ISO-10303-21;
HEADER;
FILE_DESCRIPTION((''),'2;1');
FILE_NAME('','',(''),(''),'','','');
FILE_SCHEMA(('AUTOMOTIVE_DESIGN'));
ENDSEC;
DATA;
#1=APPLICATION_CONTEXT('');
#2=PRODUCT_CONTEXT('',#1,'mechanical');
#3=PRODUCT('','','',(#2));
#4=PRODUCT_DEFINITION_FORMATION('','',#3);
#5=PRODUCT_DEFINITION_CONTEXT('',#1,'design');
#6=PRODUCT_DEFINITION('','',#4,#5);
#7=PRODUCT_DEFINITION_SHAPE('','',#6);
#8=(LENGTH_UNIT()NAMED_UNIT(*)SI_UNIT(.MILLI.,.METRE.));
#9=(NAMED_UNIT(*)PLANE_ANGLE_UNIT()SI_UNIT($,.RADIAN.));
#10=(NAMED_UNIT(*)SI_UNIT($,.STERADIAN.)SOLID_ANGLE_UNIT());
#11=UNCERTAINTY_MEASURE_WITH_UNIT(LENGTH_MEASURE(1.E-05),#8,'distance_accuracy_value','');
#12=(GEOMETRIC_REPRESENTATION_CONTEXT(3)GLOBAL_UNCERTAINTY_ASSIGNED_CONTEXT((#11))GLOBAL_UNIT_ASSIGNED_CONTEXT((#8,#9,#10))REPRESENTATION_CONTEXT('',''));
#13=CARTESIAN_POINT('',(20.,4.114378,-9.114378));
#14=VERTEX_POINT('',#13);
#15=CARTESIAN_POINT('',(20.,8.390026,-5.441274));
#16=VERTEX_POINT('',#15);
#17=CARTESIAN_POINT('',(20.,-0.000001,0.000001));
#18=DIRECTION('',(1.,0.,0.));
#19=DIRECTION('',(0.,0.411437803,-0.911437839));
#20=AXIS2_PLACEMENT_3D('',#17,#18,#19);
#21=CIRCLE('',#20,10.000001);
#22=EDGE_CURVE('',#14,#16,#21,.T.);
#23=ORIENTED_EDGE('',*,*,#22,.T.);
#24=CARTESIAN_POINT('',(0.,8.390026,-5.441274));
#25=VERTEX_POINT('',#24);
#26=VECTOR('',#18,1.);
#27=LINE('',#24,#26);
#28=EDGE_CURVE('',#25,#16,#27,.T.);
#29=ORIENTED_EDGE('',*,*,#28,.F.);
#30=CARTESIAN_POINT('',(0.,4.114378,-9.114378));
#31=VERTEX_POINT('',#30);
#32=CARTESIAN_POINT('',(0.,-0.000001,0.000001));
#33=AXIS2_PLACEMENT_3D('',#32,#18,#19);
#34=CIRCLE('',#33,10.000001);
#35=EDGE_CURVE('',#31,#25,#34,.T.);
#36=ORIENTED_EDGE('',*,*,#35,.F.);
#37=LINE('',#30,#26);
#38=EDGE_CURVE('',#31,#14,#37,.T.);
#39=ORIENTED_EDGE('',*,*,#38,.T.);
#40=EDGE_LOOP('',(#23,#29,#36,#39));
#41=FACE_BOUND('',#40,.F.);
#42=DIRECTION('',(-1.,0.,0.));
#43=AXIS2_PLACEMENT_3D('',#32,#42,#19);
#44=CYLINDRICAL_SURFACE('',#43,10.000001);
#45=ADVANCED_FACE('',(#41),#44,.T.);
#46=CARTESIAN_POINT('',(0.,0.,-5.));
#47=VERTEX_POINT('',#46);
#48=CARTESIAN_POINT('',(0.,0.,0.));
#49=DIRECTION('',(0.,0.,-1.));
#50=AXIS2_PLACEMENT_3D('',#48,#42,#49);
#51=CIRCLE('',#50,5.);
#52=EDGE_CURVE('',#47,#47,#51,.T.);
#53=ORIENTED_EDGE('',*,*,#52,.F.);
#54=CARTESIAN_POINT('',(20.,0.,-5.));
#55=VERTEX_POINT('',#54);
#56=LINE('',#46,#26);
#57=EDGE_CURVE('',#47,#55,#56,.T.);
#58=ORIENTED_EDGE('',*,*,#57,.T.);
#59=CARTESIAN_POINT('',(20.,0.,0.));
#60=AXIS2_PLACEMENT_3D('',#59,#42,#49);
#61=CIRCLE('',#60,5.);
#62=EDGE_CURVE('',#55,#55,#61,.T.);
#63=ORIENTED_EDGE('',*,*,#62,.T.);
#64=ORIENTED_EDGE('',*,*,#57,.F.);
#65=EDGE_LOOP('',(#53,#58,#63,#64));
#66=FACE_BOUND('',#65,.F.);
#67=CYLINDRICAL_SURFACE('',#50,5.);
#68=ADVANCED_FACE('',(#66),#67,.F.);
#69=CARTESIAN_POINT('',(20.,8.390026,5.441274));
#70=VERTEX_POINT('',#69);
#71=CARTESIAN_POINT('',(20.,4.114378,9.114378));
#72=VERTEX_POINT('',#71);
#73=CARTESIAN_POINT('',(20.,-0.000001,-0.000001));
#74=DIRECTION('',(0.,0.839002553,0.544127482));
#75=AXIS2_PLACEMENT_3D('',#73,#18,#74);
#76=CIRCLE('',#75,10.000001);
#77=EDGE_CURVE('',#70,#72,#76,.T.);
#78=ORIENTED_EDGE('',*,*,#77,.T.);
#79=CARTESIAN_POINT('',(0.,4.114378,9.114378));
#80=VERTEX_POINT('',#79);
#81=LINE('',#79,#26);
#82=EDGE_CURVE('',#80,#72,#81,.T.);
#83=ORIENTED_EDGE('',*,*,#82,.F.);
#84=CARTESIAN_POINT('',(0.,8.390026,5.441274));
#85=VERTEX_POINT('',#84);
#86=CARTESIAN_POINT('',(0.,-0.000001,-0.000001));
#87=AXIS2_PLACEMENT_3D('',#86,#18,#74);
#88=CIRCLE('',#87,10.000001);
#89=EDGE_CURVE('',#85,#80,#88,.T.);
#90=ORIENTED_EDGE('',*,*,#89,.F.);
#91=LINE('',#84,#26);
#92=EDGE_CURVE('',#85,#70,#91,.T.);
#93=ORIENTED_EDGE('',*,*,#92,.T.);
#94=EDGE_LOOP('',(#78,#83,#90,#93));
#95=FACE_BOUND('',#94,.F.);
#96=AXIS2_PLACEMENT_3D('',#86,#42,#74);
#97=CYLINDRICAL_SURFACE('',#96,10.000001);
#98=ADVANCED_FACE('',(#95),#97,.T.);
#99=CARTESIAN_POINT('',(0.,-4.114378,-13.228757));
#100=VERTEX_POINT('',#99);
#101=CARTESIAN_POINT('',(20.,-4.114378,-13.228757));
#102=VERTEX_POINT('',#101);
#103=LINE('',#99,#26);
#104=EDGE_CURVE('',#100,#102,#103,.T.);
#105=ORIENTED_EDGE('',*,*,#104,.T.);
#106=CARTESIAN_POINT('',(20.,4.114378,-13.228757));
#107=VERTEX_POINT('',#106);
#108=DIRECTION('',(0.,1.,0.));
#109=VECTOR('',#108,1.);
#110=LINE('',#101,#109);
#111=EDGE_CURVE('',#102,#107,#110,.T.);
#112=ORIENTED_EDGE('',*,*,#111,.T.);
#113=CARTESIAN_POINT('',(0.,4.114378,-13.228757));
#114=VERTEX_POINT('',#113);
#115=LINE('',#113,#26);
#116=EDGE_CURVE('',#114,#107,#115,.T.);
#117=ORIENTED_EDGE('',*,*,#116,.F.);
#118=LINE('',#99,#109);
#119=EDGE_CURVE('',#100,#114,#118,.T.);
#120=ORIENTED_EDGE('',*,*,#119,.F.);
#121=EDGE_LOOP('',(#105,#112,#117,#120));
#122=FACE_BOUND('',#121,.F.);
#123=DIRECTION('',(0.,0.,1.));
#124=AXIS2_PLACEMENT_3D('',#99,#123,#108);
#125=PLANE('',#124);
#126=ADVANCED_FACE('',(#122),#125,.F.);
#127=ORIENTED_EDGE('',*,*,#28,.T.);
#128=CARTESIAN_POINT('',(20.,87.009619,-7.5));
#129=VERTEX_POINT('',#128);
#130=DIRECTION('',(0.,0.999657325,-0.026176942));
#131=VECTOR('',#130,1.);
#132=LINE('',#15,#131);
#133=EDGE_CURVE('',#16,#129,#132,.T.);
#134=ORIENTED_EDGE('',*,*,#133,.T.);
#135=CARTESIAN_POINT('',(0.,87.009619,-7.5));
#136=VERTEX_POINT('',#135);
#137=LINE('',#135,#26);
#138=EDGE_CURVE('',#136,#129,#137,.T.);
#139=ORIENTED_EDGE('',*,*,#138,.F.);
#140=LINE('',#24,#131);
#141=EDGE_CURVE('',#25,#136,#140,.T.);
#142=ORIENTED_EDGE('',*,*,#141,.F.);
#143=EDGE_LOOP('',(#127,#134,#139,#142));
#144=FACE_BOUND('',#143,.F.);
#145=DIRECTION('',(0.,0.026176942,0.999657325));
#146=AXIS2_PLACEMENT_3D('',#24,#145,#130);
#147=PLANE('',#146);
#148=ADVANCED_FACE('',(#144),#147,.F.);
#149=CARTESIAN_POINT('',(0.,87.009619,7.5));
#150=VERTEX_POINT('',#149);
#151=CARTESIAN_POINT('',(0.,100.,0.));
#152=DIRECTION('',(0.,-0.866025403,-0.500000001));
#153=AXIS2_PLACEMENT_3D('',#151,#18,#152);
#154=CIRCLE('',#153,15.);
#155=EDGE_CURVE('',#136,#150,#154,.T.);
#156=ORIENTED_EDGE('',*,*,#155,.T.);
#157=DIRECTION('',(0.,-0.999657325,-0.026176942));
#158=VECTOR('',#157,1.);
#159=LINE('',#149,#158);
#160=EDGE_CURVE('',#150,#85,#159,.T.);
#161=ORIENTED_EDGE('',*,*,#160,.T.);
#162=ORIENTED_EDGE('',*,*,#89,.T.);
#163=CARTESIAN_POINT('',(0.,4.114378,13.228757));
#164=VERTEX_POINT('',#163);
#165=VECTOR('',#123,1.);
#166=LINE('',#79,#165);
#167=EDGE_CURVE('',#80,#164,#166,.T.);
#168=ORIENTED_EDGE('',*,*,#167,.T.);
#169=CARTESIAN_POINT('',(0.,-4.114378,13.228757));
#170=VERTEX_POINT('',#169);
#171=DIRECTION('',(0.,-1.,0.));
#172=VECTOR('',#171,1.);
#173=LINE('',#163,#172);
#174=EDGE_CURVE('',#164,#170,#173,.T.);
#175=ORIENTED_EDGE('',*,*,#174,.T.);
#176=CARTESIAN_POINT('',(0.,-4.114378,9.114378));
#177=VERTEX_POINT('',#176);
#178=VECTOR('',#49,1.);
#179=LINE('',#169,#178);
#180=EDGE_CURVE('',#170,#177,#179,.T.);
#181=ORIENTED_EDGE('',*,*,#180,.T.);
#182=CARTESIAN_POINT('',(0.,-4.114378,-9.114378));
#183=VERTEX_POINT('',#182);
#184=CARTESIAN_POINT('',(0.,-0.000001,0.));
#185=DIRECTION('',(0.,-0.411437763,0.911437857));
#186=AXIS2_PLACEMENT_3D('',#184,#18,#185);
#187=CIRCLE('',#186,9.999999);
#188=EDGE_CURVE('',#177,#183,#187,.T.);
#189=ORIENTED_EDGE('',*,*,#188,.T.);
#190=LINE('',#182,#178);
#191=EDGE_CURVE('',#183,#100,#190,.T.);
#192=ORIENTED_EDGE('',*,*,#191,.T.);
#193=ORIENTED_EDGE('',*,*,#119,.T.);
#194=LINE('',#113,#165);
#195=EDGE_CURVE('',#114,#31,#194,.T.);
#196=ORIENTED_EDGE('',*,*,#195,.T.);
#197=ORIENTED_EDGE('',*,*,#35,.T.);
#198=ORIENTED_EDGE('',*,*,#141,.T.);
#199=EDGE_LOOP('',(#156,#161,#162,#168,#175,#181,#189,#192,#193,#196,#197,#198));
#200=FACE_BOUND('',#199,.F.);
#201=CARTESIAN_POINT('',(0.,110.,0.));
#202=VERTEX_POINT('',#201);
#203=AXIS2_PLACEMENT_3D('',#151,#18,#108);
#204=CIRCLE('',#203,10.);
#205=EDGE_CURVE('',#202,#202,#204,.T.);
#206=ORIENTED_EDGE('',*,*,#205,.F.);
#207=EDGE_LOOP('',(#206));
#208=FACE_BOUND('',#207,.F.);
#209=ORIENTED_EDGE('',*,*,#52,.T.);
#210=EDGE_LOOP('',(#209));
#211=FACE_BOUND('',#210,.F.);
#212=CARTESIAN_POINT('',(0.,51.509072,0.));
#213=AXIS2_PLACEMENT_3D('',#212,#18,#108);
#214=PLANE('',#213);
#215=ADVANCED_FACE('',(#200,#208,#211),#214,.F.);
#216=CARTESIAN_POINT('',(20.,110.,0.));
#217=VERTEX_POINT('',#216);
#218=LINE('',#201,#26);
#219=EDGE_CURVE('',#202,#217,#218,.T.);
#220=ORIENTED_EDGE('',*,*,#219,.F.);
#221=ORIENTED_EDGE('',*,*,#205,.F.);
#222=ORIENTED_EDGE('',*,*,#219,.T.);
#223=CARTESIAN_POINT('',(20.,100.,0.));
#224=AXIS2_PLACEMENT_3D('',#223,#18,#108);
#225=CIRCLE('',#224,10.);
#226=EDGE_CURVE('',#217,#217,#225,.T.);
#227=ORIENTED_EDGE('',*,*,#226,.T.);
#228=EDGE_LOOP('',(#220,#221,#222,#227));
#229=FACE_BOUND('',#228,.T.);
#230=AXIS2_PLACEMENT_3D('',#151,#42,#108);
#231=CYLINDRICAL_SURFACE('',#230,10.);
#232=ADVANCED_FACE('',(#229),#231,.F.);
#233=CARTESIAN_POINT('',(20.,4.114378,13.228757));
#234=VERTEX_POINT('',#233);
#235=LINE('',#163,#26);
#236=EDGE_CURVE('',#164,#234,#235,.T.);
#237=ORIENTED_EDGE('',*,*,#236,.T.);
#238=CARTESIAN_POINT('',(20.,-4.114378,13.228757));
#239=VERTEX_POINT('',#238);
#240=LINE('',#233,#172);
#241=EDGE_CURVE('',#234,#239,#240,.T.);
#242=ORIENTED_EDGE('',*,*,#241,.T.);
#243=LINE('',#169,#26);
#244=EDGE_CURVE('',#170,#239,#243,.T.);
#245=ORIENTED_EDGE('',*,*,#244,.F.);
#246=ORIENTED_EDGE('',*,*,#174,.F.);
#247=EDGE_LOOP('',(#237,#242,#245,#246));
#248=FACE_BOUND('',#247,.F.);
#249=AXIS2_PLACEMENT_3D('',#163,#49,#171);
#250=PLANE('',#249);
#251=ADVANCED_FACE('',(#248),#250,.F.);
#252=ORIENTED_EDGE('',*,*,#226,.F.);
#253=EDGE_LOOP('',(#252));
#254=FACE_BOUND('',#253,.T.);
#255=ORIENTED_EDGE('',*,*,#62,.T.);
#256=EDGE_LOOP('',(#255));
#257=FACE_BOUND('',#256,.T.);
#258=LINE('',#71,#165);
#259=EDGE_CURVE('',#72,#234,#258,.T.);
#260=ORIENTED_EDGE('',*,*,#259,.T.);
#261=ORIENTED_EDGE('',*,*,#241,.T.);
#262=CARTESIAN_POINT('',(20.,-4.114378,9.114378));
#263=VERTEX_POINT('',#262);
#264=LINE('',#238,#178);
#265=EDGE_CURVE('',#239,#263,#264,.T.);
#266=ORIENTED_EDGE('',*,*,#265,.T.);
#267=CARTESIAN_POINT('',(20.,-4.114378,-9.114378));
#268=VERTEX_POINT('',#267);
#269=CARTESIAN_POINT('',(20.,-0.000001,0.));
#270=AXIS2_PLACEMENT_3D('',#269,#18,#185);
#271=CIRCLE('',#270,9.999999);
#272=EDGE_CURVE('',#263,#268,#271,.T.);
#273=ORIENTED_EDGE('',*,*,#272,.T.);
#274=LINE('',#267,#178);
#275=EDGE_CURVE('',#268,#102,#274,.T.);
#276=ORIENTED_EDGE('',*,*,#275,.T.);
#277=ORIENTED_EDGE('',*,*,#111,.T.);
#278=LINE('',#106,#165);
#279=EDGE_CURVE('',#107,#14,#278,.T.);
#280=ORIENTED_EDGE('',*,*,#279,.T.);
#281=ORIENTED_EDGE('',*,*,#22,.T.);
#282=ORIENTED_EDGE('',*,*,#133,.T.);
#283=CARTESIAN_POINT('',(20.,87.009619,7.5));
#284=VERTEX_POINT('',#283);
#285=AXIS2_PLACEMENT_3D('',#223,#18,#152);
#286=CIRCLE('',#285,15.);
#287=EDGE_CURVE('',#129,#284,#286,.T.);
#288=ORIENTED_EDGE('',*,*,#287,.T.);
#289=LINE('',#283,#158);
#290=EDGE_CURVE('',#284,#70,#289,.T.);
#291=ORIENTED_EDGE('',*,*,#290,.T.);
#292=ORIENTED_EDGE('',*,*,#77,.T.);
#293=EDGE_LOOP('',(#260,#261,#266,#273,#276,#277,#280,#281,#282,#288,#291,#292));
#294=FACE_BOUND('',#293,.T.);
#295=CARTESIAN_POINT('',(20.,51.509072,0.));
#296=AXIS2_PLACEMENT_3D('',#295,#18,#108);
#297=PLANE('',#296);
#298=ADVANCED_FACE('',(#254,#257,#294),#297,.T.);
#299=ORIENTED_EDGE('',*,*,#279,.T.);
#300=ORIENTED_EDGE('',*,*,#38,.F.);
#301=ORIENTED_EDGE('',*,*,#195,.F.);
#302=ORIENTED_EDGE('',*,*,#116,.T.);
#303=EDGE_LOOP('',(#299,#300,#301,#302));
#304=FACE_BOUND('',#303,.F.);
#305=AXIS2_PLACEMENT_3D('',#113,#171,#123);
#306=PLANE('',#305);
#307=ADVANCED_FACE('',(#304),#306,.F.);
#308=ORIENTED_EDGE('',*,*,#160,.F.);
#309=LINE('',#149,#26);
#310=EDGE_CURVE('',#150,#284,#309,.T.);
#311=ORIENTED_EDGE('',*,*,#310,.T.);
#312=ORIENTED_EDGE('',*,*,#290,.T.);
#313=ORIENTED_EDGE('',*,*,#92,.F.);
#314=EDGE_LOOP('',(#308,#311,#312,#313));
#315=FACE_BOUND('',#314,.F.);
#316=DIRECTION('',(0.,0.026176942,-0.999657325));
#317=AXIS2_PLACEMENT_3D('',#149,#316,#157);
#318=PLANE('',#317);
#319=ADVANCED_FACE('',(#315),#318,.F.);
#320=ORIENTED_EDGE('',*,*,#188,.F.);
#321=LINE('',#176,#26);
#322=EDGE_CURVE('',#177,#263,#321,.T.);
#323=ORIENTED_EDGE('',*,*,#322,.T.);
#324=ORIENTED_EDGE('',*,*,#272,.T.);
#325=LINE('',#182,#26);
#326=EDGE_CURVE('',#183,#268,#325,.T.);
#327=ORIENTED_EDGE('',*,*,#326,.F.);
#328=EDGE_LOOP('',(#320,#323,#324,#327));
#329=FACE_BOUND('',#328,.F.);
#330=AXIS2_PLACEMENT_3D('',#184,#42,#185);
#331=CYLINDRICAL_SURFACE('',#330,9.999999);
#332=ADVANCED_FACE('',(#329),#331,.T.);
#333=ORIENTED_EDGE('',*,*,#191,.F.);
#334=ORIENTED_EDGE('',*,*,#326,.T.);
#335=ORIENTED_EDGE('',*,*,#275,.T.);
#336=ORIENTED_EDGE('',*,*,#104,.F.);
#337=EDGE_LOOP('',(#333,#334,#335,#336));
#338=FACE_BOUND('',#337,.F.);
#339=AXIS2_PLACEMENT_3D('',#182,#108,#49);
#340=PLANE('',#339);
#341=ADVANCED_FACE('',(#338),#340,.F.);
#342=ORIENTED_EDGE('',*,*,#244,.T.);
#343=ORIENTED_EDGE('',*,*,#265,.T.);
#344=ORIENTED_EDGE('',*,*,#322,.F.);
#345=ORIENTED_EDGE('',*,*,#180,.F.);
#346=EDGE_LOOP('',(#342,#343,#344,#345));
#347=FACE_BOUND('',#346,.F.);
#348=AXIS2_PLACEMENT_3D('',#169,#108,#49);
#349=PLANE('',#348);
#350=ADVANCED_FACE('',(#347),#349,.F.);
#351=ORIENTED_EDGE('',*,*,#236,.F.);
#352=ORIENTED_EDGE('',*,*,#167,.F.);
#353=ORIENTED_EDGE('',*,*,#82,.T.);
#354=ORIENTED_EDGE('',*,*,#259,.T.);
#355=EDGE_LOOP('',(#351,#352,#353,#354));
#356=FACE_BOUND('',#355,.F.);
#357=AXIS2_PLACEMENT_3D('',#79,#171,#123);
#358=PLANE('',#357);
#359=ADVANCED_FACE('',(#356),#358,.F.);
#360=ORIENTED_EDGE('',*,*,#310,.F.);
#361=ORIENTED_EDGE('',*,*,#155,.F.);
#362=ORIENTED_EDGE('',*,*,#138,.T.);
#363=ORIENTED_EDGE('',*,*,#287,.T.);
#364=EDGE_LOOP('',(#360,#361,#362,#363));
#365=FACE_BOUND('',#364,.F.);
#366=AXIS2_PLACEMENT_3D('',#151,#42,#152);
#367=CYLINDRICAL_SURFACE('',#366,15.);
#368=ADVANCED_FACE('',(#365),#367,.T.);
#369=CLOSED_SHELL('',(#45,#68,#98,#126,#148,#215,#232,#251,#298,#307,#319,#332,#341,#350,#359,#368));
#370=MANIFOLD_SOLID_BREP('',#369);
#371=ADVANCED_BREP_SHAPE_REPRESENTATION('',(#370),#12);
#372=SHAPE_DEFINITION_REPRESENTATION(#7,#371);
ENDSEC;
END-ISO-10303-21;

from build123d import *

# Parameters (mm, degrees)
F0_R     = 10
F1_DEPTH = 20


with BuildPart() as f1:
    # F0 (on Right) → F1 (new body)
    with BuildSketch(Plane.YZ):
        with BuildLine():
            Line((0, 13.228757), (0, 5))
            ThreePointArc((0, 5), (5, 0), (0, -5))
            Line((0, -5), (0, -13.228757))
            Line((0, -13.228757), (4.114378, -13.228757))
            Line((4.114378, -13.228757), (4.114378, -9.114378))
            ThreePointArc((4.114378, -9.114378), (6.516361, -7.585317), (8.390026, -5.441274))
            Line((8.390026, -5.441274), (87.009619, -7.5))
            ThreePointArc((87.009619, -7.5), (115, 0), (87.009619, 7.5))
            Line((87.009619, 7.5), (8.390026, 5.441274))
            ThreePointArc((8.390026, 5.441274), (6.516361, 7.585317), (4.114378, 9.114378))
            Line((4.114378, 9.114378), (4.114378, 13.228757))
            Line((4.114378, 13.228757), (0, 13.228757))
        make_face()
        with Locations((100, 0)):
            Circle(F0_R, mode=Mode.SUBTRACT)
        with BuildLine():
            ThreePointArc((0, -5), (-5, 0), (0, 5))
            Line((0, 5), (0, 13.228757))
            Line((0, 13.228757), (-4.114378, 13.228757))
            Line((-4.114378, 13.228757), (-4.114378, 9.114378))
            ThreePointArc((-4.114378, 9.114378), (-10, 0), (-4.114378, -9.114378))
            Line((-4.114378, -9.114378), (-4.114378, -13.228757))
            Line((-4.114378, -13.228757), (0, -13.228757))
            Line((0, -13.228757), (0, -5))
        make_face()
    extrude(amount=F1_DEPTH)


solid = f1.part
